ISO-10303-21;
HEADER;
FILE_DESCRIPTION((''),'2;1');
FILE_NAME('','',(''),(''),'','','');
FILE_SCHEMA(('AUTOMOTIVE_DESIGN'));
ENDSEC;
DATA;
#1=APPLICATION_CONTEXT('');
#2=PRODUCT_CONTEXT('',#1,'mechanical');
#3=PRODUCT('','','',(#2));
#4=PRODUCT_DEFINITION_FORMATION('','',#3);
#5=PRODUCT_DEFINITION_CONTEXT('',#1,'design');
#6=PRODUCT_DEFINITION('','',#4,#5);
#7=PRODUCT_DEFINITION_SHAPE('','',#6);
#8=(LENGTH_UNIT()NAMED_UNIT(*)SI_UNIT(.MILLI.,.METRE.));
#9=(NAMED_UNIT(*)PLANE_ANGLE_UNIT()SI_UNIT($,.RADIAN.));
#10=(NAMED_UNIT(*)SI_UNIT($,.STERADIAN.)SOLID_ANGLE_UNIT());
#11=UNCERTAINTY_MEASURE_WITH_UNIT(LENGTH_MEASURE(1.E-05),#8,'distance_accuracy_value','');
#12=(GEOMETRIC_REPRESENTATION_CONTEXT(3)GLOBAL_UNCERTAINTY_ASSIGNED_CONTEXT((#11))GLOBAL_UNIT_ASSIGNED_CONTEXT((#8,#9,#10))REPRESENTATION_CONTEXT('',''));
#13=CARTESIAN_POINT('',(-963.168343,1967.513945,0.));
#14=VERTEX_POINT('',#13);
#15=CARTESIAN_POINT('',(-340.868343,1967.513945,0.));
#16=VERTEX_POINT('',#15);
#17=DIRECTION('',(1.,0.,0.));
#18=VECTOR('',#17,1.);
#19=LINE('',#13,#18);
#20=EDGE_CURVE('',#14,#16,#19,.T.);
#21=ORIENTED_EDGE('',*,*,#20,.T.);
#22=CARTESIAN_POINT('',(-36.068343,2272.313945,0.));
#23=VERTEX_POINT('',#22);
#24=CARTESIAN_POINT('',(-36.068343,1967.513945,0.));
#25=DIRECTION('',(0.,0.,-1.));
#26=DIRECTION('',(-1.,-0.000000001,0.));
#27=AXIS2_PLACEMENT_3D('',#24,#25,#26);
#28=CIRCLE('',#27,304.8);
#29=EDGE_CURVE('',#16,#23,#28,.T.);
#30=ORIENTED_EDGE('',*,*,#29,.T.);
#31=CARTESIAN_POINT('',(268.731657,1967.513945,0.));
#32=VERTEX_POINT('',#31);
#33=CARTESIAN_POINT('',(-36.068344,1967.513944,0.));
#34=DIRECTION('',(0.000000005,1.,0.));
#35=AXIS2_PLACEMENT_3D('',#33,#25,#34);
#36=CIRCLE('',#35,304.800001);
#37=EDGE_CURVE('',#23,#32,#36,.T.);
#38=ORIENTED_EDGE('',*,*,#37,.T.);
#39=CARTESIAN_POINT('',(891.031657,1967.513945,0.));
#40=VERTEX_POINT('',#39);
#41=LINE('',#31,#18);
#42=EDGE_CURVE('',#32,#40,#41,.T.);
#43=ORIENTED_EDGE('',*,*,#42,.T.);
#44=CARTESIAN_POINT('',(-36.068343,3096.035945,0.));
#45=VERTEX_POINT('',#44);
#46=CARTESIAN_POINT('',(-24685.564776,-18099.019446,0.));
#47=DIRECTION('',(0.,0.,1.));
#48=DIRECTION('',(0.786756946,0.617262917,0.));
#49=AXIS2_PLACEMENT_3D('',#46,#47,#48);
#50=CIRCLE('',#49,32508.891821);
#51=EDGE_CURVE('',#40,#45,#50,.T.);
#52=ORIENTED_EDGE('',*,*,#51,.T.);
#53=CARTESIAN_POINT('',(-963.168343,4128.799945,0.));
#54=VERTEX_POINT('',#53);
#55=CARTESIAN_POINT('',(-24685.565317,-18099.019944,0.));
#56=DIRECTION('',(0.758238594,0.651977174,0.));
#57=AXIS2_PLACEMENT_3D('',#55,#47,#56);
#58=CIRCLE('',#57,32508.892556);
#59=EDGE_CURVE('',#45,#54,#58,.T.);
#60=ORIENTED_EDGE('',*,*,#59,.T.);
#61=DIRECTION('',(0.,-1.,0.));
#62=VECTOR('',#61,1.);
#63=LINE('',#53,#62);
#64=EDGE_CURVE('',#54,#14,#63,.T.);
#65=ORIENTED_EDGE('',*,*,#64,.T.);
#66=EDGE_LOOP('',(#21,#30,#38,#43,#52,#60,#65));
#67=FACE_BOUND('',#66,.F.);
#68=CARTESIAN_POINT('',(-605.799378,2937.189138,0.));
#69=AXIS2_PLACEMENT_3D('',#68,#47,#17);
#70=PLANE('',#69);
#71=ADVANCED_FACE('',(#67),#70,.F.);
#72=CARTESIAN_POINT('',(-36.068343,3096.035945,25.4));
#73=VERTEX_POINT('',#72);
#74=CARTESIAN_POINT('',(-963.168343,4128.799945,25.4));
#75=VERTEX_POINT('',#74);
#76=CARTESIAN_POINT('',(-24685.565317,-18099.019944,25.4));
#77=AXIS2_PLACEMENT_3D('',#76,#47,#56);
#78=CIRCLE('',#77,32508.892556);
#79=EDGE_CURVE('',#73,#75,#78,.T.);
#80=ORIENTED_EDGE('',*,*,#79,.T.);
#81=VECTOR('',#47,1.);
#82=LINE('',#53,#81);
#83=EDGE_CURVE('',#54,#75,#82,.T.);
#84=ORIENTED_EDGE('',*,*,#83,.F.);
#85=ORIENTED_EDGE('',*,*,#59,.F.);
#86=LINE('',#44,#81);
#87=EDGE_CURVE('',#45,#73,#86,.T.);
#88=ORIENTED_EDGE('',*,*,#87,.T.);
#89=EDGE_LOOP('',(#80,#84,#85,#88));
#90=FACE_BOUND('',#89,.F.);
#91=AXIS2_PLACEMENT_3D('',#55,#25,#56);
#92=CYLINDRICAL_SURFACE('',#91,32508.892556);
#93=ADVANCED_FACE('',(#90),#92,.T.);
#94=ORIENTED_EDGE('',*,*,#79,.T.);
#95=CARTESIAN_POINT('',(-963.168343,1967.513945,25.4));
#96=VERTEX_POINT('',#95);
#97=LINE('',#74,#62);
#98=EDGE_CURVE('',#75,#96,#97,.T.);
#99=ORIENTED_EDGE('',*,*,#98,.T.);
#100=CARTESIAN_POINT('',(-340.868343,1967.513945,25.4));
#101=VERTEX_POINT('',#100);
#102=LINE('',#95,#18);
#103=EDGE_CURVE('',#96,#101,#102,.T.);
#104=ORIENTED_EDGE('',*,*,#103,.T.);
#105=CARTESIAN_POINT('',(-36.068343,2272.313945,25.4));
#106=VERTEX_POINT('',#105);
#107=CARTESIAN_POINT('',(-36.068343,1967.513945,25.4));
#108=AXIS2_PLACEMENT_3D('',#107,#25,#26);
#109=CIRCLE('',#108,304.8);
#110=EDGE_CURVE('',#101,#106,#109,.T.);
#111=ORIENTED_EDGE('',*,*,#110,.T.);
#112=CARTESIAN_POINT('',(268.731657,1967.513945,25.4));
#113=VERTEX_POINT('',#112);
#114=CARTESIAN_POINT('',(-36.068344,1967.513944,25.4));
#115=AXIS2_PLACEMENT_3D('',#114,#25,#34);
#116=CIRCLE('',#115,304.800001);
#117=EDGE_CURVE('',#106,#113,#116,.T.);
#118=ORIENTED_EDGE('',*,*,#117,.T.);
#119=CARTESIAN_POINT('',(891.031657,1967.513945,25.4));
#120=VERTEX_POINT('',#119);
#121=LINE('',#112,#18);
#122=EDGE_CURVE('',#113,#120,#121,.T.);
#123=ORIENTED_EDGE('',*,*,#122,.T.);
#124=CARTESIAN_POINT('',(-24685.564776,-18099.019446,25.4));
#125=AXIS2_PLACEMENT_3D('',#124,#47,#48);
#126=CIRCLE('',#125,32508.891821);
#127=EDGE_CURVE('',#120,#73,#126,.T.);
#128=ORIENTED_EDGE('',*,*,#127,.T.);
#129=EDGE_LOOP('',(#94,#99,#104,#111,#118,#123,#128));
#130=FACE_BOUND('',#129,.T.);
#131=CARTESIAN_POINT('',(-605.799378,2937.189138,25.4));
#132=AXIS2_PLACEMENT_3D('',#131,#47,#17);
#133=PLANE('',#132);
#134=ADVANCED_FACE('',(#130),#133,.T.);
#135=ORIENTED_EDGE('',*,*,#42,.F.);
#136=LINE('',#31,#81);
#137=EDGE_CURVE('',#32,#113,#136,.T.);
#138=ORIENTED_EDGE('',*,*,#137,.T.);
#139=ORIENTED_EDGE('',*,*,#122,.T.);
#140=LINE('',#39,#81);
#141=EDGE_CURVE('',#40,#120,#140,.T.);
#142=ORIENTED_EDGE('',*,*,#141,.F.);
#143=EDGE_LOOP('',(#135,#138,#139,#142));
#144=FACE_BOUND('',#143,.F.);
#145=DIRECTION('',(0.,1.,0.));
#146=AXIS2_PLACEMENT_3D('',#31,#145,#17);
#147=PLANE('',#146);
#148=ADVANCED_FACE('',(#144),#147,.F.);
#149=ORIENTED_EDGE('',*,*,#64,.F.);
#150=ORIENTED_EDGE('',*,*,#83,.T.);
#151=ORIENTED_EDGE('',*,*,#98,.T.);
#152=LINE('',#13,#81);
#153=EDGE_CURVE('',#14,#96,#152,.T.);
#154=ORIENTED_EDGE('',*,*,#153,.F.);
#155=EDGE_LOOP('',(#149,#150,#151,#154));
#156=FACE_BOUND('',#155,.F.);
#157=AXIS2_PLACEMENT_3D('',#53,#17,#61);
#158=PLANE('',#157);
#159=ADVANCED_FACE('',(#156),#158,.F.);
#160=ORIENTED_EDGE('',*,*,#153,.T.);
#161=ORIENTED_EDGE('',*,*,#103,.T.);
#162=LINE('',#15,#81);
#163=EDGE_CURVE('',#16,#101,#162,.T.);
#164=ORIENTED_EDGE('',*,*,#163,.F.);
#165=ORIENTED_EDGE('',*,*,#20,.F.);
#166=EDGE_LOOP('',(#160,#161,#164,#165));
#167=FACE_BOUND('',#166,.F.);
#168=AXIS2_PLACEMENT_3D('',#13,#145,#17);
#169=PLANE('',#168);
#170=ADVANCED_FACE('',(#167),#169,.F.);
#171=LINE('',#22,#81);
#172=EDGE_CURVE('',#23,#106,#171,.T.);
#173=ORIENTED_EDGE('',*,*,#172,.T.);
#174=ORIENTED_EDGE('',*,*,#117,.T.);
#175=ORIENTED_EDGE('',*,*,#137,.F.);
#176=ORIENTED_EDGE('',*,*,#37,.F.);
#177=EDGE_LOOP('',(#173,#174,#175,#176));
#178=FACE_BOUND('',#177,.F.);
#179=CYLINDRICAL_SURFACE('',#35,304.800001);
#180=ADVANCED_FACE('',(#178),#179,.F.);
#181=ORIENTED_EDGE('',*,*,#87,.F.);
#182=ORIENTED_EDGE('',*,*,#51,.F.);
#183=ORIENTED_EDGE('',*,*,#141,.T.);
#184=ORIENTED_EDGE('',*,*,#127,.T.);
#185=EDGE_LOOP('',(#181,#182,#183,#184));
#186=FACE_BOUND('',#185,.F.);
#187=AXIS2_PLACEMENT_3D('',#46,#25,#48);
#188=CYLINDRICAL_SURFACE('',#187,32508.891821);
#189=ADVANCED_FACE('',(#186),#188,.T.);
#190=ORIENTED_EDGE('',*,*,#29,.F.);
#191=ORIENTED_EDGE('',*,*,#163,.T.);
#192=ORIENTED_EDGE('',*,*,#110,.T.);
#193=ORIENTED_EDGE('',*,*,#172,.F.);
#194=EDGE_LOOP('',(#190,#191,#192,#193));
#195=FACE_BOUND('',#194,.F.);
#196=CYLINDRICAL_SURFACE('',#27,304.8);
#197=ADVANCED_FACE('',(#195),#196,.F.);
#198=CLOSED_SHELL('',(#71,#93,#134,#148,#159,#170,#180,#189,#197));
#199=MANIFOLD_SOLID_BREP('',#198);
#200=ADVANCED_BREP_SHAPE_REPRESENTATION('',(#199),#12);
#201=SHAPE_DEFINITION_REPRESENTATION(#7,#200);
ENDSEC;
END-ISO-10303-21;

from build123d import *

# Parameters (mm, degrees)
F1_DEPTH = 25.4


with BuildPart() as f1:
    # F0 (on Top) → F1 (new body)
    with BuildSketch(Plane.XY):
        with BuildLine():
            Line((-963.168343, 4128.799945), (-963.168343, 1967.513945))
            Line((-963.168343, 1967.513945), (-340.868343, 1967.513945))
            ThreePointArc((-340.868343, 1967.513945), (-251.59449, 2183.040092), (-36.068343, 2272.313945))
            Line((-36.068343, 2272.313945), (-36.068343, 3096.035945))
            ThreePointArc((-36.068343, 3096.035945), (-494.106465, 3617.365893), (-963.168343, 4128.799945))
        make_face()
        with BuildLine():
            Line((-36.068343, 3096.035945), (-36.068343, 2272.313945))
            ThreePointArc((-36.068343, 2272.313945), (179.457803, 2183.040092), (268.731657, 1967.513945))
            Line((268.731657, 1967.513945), (891.031657, 1967.513945))
            ThreePointArc((891.031657, 1967.513945), (433.820002, 2536.982003), (-36.068343, 3096.035945))
        make_face()
    extrude(amount=F1_DEPTH)


solid = f1.part
